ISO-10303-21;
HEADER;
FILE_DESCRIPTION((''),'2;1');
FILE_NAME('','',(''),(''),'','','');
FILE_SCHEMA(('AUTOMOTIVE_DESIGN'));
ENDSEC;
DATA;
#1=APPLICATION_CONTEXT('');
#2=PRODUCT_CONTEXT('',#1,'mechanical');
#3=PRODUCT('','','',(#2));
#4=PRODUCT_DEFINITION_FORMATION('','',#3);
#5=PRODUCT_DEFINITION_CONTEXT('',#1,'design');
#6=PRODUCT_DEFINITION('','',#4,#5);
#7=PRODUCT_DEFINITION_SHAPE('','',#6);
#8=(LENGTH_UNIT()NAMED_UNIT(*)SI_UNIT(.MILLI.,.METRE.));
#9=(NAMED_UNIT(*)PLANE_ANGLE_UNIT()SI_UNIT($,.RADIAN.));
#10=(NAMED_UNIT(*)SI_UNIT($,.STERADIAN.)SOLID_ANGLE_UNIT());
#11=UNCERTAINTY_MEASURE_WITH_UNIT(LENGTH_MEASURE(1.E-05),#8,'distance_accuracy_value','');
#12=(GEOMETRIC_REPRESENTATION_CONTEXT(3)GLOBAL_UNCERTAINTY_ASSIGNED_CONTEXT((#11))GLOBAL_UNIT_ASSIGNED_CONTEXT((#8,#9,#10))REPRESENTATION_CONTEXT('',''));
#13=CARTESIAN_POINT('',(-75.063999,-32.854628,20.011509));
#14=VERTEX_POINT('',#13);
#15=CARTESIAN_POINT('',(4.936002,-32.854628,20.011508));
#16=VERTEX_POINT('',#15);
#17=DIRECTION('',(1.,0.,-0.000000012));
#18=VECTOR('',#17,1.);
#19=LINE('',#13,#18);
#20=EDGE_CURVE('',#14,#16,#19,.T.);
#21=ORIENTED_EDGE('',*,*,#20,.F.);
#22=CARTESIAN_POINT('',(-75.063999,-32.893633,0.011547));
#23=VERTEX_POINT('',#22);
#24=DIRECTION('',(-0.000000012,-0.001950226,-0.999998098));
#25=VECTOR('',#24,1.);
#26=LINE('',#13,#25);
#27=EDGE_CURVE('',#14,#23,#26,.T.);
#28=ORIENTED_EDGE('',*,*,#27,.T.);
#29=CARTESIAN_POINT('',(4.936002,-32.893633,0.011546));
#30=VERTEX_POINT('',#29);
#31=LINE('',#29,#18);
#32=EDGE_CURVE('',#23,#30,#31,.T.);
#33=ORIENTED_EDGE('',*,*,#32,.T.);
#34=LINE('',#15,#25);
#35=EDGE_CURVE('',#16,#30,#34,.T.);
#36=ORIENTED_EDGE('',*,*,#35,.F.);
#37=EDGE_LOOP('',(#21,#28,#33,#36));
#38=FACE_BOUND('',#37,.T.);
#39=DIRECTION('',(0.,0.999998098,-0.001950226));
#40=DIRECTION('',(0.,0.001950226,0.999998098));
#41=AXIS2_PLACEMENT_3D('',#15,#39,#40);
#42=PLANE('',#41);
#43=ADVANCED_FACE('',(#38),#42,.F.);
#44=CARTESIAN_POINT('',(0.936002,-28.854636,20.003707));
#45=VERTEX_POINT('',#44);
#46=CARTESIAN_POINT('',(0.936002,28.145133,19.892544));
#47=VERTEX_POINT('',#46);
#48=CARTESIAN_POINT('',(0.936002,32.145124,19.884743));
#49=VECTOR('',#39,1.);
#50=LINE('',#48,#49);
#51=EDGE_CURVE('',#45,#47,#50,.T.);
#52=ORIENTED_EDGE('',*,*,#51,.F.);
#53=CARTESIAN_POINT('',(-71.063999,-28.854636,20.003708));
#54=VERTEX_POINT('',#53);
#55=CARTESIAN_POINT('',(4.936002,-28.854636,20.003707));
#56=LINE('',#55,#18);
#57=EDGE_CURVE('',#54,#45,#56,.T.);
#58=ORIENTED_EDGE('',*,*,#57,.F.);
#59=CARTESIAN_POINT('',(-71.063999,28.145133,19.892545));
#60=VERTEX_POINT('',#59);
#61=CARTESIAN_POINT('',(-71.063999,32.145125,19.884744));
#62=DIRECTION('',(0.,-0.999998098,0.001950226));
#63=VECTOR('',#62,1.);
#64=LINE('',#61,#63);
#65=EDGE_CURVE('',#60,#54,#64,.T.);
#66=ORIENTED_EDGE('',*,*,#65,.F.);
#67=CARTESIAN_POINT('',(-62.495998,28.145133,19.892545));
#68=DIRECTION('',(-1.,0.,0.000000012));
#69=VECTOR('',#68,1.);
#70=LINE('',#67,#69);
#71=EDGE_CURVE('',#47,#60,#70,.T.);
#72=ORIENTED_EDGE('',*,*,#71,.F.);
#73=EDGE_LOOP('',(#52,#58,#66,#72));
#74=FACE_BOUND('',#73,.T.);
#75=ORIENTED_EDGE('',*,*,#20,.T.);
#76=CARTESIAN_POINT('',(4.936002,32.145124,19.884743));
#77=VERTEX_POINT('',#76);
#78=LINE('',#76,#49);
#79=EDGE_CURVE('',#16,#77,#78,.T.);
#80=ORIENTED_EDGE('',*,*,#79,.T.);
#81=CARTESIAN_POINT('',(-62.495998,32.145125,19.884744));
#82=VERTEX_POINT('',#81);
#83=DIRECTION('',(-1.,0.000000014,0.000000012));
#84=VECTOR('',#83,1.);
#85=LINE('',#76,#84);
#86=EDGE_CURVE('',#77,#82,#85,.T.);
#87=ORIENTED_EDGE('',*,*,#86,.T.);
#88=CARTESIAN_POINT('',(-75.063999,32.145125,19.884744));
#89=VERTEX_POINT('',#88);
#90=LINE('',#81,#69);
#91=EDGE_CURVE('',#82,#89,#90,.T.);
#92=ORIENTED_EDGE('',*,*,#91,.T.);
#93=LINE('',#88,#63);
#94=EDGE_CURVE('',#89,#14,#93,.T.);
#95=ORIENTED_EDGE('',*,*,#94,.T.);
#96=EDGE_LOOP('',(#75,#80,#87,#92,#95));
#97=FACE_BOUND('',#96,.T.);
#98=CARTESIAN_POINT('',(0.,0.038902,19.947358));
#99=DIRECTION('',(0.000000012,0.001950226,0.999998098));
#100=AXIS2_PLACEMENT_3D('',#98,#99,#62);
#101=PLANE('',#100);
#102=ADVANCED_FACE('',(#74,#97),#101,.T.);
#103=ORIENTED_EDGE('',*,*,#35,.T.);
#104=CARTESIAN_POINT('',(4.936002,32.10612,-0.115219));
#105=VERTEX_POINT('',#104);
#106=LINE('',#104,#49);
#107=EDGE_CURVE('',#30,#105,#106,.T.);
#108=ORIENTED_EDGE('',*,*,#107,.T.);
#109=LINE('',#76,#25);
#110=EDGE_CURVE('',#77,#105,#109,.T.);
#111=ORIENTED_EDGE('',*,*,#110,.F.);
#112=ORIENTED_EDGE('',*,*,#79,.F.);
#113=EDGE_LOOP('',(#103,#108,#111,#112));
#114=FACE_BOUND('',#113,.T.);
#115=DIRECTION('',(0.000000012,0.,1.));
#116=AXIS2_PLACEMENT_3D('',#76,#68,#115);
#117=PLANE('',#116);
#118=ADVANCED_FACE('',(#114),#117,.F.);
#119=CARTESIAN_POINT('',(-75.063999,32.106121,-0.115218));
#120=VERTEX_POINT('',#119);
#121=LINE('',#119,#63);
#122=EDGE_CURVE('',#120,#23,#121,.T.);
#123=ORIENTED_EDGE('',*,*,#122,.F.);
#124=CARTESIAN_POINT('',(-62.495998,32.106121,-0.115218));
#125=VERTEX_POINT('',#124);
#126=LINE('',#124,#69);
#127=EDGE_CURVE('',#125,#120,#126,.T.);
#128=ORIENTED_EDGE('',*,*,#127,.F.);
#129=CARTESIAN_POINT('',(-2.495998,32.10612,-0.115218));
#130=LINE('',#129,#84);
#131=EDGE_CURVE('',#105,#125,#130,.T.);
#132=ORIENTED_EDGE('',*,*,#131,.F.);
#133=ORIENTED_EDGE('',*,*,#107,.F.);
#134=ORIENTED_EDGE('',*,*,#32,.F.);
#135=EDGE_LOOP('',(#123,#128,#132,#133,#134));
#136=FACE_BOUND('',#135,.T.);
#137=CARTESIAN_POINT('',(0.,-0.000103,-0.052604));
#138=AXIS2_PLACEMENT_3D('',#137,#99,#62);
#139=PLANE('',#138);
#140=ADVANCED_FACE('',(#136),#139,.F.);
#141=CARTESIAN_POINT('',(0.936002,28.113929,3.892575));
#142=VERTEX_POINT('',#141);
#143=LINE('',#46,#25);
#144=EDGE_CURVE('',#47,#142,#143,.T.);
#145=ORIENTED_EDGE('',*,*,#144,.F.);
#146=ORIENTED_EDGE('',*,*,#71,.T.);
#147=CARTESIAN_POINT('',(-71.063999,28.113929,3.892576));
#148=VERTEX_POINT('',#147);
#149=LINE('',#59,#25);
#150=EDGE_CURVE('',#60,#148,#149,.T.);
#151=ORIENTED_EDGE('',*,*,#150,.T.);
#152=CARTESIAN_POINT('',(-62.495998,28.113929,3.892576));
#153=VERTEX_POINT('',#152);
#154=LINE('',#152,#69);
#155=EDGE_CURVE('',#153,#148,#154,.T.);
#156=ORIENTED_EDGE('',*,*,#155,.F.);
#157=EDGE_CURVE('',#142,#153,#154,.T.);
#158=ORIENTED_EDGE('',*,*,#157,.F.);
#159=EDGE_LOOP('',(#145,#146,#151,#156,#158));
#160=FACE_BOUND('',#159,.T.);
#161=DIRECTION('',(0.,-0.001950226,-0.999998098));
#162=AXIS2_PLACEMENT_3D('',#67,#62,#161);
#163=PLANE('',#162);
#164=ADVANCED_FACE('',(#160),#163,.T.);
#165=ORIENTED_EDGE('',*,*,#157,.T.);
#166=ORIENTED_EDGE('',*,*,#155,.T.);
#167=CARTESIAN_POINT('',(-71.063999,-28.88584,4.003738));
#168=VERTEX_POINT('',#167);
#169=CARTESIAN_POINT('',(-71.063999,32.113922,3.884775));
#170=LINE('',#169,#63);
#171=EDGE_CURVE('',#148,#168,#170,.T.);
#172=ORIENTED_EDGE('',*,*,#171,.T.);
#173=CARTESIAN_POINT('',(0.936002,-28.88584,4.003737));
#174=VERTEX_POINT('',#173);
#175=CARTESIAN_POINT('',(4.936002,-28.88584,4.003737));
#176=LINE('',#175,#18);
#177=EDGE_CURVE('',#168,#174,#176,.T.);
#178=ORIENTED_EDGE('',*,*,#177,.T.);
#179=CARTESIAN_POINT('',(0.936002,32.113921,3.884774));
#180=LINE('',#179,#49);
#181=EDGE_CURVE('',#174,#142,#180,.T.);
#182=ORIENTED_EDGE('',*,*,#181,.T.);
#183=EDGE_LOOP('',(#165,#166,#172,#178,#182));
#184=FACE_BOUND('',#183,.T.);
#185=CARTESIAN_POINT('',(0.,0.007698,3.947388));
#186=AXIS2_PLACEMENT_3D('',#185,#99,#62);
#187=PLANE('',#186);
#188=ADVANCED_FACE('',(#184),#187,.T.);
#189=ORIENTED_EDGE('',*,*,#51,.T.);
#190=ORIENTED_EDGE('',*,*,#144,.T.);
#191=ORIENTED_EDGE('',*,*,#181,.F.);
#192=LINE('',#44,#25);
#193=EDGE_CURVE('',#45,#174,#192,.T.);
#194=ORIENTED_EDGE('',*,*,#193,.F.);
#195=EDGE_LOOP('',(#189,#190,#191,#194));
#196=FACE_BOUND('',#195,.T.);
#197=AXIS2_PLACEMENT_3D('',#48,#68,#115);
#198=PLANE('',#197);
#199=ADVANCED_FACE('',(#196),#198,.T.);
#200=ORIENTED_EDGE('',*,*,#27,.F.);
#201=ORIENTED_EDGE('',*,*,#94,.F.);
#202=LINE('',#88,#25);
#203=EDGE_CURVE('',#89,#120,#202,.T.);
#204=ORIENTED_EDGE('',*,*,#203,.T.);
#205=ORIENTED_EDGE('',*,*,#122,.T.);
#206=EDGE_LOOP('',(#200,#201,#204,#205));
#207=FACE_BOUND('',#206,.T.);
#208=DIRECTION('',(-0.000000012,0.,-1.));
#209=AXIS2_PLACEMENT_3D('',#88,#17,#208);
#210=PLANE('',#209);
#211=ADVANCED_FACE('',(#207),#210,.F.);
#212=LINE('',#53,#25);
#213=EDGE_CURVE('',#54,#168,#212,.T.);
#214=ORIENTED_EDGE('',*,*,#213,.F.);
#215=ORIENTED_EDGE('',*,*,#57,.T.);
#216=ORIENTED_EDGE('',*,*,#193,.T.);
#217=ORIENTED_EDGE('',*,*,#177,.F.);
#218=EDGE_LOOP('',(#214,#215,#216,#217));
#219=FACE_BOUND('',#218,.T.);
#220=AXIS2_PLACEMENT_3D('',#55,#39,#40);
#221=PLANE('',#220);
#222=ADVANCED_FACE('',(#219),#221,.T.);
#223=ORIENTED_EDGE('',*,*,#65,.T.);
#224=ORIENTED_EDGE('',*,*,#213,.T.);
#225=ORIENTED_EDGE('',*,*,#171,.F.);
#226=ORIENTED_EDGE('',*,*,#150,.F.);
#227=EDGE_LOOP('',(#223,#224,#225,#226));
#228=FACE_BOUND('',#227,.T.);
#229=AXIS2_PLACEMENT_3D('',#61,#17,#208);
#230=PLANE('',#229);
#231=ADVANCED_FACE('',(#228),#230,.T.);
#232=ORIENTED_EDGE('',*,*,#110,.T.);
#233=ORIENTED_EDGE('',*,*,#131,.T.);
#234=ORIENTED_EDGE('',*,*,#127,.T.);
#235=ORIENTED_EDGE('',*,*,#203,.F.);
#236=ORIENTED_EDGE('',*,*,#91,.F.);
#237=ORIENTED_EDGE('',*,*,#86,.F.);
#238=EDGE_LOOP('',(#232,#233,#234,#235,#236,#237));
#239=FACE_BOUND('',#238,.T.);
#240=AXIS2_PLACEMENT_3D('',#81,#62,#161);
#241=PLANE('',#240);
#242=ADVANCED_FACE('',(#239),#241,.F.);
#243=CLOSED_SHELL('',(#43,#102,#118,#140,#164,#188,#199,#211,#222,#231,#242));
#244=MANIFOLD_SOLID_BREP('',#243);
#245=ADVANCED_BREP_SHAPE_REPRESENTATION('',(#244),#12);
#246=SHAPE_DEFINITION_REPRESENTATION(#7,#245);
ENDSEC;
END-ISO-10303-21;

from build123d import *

# Parameters (mm, degrees)
BOSS_EXTRUDE1_DEPTH = 20
SHELL2_T            = -4


with BuildPart() as part:
    # Sketch2 → Boss-Extrude1 (new body)
    with BuildSketch(Plane(origin=(-1e-09, -0.00010259, -0.052603991), x_dir=(1, 0, -1.2e-08), z_dir=(1.2e-08, 0.001950226, 0.999998098))):
        Polygon((-75.063999083, -32.893592991), (-67.504997012, -32.893592991), (4.936001691, -32.893592991), (4.936001691, 32.106283405), (-2.495998153, 32.10628351), (-62.495998239, 32.106284359), (-75.063999083, 32.106284359), align=None)
    extrude(amount=BOSS_EXTRUDE1_DEPTH)

    # Shell2
    shell2_openings = [part.faces().sort_by_distance(p)[0] for p in [
        (-40.55039837, 6.145223556, 19.93544972),
    ]]
    offset(amount=SHELL2_T, openings=shell2_openings, kind=Kind.INTERSECTION)


solid = part.part
